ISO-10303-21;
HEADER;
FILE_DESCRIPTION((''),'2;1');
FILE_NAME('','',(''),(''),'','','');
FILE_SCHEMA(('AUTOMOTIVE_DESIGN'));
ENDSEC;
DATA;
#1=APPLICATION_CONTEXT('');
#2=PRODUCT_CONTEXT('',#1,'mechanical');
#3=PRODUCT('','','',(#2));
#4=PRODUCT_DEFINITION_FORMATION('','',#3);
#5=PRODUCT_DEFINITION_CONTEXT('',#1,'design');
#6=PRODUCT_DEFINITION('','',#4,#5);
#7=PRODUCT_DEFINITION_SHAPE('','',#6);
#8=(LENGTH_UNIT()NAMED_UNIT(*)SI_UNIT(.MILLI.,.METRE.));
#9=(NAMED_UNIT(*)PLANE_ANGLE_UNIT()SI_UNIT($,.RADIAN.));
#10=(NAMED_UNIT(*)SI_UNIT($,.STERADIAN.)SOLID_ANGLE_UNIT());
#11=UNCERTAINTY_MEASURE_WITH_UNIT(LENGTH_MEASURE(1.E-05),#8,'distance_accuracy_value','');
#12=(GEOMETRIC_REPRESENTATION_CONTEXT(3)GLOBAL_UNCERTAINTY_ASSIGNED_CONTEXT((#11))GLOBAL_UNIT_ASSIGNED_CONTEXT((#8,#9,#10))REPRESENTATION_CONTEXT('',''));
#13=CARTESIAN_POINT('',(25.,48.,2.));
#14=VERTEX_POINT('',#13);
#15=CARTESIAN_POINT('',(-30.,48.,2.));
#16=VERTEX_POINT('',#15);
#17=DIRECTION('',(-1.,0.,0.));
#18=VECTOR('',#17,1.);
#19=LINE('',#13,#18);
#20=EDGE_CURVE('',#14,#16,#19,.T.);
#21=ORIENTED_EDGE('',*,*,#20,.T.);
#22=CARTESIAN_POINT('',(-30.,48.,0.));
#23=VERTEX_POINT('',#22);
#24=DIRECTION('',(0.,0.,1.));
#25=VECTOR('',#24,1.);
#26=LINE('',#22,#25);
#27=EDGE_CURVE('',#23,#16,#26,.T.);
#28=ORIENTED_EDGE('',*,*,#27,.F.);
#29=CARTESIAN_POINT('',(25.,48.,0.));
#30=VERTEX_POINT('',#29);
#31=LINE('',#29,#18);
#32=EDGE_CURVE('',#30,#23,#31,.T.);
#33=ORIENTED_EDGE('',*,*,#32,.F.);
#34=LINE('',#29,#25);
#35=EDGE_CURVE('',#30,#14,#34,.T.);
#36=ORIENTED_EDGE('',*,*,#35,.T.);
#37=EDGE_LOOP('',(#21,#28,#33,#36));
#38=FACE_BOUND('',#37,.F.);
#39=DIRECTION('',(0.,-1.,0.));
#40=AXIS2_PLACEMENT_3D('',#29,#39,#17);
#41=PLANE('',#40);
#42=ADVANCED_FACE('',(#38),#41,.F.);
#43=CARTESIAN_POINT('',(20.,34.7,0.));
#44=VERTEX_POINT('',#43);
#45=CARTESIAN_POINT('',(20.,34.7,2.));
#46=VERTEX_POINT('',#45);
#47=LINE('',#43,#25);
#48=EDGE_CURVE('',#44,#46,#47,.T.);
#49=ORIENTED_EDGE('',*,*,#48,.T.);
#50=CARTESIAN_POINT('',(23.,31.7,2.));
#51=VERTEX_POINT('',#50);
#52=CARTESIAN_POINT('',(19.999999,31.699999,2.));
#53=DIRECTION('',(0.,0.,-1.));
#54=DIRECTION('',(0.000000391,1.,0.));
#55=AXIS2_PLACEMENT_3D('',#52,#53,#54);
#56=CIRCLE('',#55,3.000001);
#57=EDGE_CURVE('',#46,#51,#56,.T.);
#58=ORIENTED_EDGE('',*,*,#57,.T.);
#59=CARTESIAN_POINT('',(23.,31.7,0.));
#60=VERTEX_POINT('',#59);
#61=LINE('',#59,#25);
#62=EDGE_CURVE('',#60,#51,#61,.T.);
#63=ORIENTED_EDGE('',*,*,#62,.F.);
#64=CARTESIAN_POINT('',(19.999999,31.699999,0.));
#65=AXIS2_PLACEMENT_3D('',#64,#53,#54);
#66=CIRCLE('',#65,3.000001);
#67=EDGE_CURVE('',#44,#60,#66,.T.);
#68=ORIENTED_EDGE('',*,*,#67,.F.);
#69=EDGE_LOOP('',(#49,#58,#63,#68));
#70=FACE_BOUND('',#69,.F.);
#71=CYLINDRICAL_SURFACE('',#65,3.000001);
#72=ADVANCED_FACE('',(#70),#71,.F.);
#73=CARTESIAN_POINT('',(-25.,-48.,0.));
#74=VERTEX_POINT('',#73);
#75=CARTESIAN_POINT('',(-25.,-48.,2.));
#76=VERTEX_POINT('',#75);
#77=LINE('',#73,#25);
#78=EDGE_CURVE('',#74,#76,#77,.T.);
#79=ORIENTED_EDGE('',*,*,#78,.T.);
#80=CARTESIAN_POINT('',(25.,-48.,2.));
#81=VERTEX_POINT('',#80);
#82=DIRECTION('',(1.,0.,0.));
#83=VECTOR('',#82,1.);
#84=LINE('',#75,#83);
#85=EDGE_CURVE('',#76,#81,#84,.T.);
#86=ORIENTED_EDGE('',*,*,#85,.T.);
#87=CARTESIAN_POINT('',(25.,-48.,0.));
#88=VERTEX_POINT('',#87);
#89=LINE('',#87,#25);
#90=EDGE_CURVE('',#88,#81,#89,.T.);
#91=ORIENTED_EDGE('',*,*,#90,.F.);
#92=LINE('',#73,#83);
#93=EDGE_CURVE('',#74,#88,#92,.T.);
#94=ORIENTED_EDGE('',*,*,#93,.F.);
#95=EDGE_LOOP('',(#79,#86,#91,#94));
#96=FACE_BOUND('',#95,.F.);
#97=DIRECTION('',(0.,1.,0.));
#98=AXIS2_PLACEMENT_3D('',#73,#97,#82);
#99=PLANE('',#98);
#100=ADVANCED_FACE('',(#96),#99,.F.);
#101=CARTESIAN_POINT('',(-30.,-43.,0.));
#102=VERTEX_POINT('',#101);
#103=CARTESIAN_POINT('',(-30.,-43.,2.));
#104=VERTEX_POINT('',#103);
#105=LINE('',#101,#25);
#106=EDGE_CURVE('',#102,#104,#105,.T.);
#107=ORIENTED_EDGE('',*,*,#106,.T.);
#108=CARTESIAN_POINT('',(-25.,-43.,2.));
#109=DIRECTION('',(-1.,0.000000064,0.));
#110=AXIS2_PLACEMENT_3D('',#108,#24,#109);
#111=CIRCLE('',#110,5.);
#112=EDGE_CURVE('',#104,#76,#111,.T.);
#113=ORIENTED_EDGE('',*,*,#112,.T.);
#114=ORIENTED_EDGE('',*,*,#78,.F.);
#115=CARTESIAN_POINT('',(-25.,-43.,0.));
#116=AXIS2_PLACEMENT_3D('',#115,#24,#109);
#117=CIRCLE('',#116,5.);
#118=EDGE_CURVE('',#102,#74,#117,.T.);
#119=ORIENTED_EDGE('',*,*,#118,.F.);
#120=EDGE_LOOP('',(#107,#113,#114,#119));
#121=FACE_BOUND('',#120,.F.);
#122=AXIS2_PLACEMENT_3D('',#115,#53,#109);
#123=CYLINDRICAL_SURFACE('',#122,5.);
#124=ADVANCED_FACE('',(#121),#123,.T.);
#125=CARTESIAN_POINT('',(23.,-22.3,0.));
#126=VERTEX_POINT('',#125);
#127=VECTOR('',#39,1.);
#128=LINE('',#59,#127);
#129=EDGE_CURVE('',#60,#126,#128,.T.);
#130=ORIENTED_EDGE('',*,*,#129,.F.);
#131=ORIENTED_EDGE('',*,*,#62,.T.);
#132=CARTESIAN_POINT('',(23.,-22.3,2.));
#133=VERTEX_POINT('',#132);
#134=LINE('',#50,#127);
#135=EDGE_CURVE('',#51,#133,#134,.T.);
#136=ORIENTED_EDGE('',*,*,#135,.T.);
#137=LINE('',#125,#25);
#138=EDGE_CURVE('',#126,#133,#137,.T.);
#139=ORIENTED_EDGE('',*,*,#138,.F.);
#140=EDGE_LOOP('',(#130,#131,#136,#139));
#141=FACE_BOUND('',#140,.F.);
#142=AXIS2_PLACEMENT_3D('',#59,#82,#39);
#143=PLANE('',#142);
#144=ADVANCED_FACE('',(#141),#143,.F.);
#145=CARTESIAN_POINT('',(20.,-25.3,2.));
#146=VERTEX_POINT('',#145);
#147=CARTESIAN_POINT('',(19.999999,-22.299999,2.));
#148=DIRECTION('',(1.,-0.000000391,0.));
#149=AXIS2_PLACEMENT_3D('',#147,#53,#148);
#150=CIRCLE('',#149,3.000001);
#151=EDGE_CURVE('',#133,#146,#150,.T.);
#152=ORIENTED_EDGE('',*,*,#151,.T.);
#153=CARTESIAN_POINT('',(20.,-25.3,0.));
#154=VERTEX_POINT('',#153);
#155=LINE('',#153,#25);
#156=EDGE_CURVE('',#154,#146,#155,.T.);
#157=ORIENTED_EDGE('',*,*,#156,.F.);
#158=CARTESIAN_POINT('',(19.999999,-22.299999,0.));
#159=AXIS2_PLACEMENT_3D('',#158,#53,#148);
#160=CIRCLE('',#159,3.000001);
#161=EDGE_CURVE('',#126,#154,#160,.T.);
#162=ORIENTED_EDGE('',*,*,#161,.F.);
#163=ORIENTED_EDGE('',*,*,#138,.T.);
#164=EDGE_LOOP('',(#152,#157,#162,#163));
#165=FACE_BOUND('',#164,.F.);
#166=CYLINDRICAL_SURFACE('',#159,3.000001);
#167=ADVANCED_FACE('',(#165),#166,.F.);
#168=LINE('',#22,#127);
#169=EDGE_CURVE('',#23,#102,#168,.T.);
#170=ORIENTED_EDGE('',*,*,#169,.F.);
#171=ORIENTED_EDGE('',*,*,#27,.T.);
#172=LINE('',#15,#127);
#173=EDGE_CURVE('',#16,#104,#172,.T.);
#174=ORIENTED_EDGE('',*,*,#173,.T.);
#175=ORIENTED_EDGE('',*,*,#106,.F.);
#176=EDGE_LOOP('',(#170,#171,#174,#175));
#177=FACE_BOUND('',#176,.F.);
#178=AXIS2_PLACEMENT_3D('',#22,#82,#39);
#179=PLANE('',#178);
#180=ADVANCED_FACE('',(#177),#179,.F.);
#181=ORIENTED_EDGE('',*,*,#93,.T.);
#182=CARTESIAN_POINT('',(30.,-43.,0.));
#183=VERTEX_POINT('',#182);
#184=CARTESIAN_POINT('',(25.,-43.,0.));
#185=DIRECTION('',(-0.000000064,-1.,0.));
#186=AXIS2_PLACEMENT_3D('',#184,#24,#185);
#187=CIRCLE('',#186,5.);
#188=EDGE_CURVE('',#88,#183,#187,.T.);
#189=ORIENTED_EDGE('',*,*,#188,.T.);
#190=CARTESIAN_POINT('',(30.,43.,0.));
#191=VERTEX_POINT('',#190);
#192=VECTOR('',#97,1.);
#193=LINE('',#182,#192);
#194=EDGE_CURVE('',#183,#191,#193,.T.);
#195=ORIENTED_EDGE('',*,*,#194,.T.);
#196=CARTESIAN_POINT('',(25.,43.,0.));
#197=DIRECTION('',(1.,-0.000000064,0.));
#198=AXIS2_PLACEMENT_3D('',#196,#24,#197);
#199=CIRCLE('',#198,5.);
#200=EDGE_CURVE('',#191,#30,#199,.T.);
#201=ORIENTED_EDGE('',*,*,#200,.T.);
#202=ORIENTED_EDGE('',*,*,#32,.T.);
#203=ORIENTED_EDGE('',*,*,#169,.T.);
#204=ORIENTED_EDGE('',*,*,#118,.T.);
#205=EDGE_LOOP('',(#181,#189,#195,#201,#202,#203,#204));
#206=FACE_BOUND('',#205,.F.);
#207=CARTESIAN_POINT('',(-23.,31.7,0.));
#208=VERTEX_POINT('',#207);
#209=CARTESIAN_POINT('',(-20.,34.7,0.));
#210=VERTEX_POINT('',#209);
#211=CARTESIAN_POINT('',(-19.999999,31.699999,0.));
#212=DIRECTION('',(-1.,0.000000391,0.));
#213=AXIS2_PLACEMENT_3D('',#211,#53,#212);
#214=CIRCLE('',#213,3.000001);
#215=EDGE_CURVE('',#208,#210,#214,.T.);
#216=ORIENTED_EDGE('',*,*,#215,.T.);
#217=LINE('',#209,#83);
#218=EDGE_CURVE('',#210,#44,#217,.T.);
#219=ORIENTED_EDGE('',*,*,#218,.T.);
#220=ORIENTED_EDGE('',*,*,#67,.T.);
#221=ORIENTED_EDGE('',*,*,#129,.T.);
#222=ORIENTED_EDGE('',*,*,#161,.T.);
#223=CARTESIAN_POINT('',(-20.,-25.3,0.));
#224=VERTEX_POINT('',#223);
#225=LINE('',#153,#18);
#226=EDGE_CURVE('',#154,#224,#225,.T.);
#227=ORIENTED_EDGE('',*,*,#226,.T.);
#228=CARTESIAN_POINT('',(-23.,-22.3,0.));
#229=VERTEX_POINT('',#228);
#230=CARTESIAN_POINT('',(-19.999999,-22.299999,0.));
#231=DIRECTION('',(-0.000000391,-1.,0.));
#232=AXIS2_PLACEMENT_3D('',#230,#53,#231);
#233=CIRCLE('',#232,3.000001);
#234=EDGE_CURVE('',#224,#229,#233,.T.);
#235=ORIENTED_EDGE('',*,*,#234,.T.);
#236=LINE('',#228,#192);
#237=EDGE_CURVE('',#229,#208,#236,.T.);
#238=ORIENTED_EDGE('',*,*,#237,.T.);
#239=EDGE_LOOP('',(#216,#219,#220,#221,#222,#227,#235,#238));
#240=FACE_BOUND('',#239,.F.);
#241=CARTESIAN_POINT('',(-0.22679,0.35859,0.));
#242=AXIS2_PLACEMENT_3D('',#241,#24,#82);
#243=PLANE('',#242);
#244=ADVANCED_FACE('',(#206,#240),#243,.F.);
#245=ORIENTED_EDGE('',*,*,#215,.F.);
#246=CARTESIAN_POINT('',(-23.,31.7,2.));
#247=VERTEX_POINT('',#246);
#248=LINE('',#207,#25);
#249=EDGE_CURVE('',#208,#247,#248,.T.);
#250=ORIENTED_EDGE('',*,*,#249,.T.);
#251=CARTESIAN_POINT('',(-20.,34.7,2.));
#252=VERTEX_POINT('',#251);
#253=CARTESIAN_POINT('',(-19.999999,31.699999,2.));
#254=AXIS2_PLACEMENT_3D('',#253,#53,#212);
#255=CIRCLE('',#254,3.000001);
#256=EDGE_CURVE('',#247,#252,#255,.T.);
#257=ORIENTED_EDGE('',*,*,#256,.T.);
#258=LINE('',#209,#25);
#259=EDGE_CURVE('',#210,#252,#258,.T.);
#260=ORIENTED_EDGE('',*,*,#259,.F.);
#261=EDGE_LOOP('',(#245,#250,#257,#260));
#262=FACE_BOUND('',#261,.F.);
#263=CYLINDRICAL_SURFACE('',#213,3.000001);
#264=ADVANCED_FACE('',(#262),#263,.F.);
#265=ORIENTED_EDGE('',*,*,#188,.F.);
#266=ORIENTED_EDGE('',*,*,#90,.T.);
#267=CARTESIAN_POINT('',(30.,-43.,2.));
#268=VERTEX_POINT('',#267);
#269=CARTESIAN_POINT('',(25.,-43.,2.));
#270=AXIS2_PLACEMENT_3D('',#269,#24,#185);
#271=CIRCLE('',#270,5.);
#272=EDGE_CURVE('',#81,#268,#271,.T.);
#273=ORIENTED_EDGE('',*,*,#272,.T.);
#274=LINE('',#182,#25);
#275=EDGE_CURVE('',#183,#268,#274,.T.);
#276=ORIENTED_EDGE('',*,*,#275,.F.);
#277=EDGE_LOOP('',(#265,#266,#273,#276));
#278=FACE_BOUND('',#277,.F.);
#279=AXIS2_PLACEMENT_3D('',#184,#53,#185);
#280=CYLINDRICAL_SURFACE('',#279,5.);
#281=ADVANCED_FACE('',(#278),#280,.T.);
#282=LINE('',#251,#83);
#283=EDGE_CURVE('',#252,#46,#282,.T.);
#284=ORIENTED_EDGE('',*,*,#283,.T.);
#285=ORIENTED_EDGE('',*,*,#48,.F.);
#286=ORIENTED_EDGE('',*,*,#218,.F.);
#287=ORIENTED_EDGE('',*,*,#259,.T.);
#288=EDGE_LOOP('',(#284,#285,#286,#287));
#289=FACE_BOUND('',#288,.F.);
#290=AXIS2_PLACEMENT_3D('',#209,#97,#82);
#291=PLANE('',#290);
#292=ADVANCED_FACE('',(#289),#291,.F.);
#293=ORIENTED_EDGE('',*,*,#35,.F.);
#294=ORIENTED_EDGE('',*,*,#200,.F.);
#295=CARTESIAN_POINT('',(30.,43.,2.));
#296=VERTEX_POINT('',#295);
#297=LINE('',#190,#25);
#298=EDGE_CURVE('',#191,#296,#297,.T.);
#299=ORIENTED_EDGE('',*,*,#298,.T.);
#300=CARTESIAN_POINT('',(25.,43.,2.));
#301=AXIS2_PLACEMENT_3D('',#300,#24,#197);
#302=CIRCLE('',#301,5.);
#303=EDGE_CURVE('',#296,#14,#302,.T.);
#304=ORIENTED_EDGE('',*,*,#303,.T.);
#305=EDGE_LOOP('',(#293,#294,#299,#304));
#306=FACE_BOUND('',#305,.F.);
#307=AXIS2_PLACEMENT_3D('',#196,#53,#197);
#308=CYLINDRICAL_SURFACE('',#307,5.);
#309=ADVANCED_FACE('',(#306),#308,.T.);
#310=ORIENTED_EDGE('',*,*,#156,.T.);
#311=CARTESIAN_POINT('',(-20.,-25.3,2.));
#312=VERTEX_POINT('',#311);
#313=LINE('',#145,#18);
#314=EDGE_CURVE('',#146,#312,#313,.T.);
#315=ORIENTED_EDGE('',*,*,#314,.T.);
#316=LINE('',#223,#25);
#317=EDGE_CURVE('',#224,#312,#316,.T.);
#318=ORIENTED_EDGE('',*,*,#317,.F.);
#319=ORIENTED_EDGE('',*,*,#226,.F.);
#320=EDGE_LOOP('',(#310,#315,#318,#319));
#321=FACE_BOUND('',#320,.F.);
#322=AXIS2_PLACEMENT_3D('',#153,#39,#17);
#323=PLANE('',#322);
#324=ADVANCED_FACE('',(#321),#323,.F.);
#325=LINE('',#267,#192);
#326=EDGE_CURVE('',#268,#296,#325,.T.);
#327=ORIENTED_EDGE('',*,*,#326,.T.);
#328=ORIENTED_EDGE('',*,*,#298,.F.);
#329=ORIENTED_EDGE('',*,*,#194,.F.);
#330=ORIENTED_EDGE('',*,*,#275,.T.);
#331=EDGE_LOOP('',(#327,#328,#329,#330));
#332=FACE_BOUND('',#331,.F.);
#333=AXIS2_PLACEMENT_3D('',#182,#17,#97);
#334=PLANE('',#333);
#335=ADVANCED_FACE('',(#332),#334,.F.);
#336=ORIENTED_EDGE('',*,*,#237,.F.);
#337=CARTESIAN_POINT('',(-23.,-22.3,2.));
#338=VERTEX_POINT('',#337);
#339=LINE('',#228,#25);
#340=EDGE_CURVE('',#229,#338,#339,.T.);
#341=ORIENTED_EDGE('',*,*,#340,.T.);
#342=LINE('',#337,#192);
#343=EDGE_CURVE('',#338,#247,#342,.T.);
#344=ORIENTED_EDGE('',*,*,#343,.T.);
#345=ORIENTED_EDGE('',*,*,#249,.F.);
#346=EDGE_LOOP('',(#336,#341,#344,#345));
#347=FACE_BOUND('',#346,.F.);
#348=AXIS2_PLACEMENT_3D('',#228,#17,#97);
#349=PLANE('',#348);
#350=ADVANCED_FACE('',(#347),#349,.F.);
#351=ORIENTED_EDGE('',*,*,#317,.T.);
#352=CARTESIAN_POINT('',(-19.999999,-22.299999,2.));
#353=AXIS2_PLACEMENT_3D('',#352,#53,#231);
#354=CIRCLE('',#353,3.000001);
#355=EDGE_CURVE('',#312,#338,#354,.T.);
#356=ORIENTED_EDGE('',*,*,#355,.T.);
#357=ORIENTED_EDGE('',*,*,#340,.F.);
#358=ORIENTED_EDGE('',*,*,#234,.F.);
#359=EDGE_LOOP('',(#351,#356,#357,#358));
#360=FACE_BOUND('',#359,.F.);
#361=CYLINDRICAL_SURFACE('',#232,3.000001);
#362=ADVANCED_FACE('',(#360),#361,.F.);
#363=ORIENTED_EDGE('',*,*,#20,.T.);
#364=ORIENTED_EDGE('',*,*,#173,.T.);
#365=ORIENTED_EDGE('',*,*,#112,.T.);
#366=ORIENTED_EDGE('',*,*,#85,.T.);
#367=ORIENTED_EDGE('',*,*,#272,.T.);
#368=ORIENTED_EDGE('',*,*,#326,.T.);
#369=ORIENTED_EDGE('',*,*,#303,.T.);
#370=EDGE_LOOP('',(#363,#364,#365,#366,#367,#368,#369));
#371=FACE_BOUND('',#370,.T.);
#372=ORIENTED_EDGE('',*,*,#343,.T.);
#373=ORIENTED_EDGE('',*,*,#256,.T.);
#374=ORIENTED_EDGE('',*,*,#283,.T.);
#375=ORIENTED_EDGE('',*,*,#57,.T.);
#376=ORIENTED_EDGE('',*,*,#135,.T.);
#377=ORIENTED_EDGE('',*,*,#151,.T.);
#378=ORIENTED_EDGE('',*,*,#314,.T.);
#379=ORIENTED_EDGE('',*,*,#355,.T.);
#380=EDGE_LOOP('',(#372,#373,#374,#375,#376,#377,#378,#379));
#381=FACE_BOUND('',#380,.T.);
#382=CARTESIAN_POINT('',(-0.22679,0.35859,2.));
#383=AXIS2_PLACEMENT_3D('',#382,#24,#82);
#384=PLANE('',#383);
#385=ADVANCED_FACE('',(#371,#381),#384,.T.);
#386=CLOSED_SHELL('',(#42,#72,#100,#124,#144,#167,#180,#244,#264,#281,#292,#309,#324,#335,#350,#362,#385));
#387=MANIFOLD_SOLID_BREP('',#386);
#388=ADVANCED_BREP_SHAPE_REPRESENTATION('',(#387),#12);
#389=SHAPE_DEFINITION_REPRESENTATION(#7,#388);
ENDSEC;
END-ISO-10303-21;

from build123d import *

# Parameters (mm, degrees)
F1_DEPTH = 2


with BuildPart() as f1:
    # F0 (on Top) → F1 (new body)
    with BuildSketch(Plane.XY):
        with BuildLine():
            Line((-25, -48), (25, -48))
            ThreePointArc((25, -48), (28.535534, -46.535534), (30, -43))
            Line((30, -43), (30, 40))
            Line((30, 40), (30, 43))
            ThreePointArc((30, 43), (28.535534, 46.535534), (25, 48))
            Line((25, 48), (20, 48))
            Line((20, 48), (-27, 48))
            Line((-27, 48), (-30, 48))
            Line((-30, 48), (-30, 43))
            Line((-30, 43), (-30, -43))
            ThreePointArc((-30, -43), (-28.535534, -46.535534), (-25, -48))
        make_face()
        with BuildLine():
            ThreePointArc((-23, 31.7), (-22.12132, 33.82132), (-20, 34.7))
            Line((-20, 34.7), (20, 34.7))
            ThreePointArc((20, 34.7), (22.12132, 33.82132), (23, 31.7))
            Line((23, 31.7), (23, -22.3))
            ThreePointArc((23, -22.3), (22.12132, -24.42132), (20, -25.3))
            Line((20, -25.3), (-20, -25.3))
            ThreePointArc((-20, -25.3), (-22.12132, -24.42132), (-23, -22.3))
            Line((-23, -22.3), (-23, 31.7))
        make_face(mode=Mode.SUBTRACT)
    extrude(amount=F1_DEPTH)


solid = f1.part
